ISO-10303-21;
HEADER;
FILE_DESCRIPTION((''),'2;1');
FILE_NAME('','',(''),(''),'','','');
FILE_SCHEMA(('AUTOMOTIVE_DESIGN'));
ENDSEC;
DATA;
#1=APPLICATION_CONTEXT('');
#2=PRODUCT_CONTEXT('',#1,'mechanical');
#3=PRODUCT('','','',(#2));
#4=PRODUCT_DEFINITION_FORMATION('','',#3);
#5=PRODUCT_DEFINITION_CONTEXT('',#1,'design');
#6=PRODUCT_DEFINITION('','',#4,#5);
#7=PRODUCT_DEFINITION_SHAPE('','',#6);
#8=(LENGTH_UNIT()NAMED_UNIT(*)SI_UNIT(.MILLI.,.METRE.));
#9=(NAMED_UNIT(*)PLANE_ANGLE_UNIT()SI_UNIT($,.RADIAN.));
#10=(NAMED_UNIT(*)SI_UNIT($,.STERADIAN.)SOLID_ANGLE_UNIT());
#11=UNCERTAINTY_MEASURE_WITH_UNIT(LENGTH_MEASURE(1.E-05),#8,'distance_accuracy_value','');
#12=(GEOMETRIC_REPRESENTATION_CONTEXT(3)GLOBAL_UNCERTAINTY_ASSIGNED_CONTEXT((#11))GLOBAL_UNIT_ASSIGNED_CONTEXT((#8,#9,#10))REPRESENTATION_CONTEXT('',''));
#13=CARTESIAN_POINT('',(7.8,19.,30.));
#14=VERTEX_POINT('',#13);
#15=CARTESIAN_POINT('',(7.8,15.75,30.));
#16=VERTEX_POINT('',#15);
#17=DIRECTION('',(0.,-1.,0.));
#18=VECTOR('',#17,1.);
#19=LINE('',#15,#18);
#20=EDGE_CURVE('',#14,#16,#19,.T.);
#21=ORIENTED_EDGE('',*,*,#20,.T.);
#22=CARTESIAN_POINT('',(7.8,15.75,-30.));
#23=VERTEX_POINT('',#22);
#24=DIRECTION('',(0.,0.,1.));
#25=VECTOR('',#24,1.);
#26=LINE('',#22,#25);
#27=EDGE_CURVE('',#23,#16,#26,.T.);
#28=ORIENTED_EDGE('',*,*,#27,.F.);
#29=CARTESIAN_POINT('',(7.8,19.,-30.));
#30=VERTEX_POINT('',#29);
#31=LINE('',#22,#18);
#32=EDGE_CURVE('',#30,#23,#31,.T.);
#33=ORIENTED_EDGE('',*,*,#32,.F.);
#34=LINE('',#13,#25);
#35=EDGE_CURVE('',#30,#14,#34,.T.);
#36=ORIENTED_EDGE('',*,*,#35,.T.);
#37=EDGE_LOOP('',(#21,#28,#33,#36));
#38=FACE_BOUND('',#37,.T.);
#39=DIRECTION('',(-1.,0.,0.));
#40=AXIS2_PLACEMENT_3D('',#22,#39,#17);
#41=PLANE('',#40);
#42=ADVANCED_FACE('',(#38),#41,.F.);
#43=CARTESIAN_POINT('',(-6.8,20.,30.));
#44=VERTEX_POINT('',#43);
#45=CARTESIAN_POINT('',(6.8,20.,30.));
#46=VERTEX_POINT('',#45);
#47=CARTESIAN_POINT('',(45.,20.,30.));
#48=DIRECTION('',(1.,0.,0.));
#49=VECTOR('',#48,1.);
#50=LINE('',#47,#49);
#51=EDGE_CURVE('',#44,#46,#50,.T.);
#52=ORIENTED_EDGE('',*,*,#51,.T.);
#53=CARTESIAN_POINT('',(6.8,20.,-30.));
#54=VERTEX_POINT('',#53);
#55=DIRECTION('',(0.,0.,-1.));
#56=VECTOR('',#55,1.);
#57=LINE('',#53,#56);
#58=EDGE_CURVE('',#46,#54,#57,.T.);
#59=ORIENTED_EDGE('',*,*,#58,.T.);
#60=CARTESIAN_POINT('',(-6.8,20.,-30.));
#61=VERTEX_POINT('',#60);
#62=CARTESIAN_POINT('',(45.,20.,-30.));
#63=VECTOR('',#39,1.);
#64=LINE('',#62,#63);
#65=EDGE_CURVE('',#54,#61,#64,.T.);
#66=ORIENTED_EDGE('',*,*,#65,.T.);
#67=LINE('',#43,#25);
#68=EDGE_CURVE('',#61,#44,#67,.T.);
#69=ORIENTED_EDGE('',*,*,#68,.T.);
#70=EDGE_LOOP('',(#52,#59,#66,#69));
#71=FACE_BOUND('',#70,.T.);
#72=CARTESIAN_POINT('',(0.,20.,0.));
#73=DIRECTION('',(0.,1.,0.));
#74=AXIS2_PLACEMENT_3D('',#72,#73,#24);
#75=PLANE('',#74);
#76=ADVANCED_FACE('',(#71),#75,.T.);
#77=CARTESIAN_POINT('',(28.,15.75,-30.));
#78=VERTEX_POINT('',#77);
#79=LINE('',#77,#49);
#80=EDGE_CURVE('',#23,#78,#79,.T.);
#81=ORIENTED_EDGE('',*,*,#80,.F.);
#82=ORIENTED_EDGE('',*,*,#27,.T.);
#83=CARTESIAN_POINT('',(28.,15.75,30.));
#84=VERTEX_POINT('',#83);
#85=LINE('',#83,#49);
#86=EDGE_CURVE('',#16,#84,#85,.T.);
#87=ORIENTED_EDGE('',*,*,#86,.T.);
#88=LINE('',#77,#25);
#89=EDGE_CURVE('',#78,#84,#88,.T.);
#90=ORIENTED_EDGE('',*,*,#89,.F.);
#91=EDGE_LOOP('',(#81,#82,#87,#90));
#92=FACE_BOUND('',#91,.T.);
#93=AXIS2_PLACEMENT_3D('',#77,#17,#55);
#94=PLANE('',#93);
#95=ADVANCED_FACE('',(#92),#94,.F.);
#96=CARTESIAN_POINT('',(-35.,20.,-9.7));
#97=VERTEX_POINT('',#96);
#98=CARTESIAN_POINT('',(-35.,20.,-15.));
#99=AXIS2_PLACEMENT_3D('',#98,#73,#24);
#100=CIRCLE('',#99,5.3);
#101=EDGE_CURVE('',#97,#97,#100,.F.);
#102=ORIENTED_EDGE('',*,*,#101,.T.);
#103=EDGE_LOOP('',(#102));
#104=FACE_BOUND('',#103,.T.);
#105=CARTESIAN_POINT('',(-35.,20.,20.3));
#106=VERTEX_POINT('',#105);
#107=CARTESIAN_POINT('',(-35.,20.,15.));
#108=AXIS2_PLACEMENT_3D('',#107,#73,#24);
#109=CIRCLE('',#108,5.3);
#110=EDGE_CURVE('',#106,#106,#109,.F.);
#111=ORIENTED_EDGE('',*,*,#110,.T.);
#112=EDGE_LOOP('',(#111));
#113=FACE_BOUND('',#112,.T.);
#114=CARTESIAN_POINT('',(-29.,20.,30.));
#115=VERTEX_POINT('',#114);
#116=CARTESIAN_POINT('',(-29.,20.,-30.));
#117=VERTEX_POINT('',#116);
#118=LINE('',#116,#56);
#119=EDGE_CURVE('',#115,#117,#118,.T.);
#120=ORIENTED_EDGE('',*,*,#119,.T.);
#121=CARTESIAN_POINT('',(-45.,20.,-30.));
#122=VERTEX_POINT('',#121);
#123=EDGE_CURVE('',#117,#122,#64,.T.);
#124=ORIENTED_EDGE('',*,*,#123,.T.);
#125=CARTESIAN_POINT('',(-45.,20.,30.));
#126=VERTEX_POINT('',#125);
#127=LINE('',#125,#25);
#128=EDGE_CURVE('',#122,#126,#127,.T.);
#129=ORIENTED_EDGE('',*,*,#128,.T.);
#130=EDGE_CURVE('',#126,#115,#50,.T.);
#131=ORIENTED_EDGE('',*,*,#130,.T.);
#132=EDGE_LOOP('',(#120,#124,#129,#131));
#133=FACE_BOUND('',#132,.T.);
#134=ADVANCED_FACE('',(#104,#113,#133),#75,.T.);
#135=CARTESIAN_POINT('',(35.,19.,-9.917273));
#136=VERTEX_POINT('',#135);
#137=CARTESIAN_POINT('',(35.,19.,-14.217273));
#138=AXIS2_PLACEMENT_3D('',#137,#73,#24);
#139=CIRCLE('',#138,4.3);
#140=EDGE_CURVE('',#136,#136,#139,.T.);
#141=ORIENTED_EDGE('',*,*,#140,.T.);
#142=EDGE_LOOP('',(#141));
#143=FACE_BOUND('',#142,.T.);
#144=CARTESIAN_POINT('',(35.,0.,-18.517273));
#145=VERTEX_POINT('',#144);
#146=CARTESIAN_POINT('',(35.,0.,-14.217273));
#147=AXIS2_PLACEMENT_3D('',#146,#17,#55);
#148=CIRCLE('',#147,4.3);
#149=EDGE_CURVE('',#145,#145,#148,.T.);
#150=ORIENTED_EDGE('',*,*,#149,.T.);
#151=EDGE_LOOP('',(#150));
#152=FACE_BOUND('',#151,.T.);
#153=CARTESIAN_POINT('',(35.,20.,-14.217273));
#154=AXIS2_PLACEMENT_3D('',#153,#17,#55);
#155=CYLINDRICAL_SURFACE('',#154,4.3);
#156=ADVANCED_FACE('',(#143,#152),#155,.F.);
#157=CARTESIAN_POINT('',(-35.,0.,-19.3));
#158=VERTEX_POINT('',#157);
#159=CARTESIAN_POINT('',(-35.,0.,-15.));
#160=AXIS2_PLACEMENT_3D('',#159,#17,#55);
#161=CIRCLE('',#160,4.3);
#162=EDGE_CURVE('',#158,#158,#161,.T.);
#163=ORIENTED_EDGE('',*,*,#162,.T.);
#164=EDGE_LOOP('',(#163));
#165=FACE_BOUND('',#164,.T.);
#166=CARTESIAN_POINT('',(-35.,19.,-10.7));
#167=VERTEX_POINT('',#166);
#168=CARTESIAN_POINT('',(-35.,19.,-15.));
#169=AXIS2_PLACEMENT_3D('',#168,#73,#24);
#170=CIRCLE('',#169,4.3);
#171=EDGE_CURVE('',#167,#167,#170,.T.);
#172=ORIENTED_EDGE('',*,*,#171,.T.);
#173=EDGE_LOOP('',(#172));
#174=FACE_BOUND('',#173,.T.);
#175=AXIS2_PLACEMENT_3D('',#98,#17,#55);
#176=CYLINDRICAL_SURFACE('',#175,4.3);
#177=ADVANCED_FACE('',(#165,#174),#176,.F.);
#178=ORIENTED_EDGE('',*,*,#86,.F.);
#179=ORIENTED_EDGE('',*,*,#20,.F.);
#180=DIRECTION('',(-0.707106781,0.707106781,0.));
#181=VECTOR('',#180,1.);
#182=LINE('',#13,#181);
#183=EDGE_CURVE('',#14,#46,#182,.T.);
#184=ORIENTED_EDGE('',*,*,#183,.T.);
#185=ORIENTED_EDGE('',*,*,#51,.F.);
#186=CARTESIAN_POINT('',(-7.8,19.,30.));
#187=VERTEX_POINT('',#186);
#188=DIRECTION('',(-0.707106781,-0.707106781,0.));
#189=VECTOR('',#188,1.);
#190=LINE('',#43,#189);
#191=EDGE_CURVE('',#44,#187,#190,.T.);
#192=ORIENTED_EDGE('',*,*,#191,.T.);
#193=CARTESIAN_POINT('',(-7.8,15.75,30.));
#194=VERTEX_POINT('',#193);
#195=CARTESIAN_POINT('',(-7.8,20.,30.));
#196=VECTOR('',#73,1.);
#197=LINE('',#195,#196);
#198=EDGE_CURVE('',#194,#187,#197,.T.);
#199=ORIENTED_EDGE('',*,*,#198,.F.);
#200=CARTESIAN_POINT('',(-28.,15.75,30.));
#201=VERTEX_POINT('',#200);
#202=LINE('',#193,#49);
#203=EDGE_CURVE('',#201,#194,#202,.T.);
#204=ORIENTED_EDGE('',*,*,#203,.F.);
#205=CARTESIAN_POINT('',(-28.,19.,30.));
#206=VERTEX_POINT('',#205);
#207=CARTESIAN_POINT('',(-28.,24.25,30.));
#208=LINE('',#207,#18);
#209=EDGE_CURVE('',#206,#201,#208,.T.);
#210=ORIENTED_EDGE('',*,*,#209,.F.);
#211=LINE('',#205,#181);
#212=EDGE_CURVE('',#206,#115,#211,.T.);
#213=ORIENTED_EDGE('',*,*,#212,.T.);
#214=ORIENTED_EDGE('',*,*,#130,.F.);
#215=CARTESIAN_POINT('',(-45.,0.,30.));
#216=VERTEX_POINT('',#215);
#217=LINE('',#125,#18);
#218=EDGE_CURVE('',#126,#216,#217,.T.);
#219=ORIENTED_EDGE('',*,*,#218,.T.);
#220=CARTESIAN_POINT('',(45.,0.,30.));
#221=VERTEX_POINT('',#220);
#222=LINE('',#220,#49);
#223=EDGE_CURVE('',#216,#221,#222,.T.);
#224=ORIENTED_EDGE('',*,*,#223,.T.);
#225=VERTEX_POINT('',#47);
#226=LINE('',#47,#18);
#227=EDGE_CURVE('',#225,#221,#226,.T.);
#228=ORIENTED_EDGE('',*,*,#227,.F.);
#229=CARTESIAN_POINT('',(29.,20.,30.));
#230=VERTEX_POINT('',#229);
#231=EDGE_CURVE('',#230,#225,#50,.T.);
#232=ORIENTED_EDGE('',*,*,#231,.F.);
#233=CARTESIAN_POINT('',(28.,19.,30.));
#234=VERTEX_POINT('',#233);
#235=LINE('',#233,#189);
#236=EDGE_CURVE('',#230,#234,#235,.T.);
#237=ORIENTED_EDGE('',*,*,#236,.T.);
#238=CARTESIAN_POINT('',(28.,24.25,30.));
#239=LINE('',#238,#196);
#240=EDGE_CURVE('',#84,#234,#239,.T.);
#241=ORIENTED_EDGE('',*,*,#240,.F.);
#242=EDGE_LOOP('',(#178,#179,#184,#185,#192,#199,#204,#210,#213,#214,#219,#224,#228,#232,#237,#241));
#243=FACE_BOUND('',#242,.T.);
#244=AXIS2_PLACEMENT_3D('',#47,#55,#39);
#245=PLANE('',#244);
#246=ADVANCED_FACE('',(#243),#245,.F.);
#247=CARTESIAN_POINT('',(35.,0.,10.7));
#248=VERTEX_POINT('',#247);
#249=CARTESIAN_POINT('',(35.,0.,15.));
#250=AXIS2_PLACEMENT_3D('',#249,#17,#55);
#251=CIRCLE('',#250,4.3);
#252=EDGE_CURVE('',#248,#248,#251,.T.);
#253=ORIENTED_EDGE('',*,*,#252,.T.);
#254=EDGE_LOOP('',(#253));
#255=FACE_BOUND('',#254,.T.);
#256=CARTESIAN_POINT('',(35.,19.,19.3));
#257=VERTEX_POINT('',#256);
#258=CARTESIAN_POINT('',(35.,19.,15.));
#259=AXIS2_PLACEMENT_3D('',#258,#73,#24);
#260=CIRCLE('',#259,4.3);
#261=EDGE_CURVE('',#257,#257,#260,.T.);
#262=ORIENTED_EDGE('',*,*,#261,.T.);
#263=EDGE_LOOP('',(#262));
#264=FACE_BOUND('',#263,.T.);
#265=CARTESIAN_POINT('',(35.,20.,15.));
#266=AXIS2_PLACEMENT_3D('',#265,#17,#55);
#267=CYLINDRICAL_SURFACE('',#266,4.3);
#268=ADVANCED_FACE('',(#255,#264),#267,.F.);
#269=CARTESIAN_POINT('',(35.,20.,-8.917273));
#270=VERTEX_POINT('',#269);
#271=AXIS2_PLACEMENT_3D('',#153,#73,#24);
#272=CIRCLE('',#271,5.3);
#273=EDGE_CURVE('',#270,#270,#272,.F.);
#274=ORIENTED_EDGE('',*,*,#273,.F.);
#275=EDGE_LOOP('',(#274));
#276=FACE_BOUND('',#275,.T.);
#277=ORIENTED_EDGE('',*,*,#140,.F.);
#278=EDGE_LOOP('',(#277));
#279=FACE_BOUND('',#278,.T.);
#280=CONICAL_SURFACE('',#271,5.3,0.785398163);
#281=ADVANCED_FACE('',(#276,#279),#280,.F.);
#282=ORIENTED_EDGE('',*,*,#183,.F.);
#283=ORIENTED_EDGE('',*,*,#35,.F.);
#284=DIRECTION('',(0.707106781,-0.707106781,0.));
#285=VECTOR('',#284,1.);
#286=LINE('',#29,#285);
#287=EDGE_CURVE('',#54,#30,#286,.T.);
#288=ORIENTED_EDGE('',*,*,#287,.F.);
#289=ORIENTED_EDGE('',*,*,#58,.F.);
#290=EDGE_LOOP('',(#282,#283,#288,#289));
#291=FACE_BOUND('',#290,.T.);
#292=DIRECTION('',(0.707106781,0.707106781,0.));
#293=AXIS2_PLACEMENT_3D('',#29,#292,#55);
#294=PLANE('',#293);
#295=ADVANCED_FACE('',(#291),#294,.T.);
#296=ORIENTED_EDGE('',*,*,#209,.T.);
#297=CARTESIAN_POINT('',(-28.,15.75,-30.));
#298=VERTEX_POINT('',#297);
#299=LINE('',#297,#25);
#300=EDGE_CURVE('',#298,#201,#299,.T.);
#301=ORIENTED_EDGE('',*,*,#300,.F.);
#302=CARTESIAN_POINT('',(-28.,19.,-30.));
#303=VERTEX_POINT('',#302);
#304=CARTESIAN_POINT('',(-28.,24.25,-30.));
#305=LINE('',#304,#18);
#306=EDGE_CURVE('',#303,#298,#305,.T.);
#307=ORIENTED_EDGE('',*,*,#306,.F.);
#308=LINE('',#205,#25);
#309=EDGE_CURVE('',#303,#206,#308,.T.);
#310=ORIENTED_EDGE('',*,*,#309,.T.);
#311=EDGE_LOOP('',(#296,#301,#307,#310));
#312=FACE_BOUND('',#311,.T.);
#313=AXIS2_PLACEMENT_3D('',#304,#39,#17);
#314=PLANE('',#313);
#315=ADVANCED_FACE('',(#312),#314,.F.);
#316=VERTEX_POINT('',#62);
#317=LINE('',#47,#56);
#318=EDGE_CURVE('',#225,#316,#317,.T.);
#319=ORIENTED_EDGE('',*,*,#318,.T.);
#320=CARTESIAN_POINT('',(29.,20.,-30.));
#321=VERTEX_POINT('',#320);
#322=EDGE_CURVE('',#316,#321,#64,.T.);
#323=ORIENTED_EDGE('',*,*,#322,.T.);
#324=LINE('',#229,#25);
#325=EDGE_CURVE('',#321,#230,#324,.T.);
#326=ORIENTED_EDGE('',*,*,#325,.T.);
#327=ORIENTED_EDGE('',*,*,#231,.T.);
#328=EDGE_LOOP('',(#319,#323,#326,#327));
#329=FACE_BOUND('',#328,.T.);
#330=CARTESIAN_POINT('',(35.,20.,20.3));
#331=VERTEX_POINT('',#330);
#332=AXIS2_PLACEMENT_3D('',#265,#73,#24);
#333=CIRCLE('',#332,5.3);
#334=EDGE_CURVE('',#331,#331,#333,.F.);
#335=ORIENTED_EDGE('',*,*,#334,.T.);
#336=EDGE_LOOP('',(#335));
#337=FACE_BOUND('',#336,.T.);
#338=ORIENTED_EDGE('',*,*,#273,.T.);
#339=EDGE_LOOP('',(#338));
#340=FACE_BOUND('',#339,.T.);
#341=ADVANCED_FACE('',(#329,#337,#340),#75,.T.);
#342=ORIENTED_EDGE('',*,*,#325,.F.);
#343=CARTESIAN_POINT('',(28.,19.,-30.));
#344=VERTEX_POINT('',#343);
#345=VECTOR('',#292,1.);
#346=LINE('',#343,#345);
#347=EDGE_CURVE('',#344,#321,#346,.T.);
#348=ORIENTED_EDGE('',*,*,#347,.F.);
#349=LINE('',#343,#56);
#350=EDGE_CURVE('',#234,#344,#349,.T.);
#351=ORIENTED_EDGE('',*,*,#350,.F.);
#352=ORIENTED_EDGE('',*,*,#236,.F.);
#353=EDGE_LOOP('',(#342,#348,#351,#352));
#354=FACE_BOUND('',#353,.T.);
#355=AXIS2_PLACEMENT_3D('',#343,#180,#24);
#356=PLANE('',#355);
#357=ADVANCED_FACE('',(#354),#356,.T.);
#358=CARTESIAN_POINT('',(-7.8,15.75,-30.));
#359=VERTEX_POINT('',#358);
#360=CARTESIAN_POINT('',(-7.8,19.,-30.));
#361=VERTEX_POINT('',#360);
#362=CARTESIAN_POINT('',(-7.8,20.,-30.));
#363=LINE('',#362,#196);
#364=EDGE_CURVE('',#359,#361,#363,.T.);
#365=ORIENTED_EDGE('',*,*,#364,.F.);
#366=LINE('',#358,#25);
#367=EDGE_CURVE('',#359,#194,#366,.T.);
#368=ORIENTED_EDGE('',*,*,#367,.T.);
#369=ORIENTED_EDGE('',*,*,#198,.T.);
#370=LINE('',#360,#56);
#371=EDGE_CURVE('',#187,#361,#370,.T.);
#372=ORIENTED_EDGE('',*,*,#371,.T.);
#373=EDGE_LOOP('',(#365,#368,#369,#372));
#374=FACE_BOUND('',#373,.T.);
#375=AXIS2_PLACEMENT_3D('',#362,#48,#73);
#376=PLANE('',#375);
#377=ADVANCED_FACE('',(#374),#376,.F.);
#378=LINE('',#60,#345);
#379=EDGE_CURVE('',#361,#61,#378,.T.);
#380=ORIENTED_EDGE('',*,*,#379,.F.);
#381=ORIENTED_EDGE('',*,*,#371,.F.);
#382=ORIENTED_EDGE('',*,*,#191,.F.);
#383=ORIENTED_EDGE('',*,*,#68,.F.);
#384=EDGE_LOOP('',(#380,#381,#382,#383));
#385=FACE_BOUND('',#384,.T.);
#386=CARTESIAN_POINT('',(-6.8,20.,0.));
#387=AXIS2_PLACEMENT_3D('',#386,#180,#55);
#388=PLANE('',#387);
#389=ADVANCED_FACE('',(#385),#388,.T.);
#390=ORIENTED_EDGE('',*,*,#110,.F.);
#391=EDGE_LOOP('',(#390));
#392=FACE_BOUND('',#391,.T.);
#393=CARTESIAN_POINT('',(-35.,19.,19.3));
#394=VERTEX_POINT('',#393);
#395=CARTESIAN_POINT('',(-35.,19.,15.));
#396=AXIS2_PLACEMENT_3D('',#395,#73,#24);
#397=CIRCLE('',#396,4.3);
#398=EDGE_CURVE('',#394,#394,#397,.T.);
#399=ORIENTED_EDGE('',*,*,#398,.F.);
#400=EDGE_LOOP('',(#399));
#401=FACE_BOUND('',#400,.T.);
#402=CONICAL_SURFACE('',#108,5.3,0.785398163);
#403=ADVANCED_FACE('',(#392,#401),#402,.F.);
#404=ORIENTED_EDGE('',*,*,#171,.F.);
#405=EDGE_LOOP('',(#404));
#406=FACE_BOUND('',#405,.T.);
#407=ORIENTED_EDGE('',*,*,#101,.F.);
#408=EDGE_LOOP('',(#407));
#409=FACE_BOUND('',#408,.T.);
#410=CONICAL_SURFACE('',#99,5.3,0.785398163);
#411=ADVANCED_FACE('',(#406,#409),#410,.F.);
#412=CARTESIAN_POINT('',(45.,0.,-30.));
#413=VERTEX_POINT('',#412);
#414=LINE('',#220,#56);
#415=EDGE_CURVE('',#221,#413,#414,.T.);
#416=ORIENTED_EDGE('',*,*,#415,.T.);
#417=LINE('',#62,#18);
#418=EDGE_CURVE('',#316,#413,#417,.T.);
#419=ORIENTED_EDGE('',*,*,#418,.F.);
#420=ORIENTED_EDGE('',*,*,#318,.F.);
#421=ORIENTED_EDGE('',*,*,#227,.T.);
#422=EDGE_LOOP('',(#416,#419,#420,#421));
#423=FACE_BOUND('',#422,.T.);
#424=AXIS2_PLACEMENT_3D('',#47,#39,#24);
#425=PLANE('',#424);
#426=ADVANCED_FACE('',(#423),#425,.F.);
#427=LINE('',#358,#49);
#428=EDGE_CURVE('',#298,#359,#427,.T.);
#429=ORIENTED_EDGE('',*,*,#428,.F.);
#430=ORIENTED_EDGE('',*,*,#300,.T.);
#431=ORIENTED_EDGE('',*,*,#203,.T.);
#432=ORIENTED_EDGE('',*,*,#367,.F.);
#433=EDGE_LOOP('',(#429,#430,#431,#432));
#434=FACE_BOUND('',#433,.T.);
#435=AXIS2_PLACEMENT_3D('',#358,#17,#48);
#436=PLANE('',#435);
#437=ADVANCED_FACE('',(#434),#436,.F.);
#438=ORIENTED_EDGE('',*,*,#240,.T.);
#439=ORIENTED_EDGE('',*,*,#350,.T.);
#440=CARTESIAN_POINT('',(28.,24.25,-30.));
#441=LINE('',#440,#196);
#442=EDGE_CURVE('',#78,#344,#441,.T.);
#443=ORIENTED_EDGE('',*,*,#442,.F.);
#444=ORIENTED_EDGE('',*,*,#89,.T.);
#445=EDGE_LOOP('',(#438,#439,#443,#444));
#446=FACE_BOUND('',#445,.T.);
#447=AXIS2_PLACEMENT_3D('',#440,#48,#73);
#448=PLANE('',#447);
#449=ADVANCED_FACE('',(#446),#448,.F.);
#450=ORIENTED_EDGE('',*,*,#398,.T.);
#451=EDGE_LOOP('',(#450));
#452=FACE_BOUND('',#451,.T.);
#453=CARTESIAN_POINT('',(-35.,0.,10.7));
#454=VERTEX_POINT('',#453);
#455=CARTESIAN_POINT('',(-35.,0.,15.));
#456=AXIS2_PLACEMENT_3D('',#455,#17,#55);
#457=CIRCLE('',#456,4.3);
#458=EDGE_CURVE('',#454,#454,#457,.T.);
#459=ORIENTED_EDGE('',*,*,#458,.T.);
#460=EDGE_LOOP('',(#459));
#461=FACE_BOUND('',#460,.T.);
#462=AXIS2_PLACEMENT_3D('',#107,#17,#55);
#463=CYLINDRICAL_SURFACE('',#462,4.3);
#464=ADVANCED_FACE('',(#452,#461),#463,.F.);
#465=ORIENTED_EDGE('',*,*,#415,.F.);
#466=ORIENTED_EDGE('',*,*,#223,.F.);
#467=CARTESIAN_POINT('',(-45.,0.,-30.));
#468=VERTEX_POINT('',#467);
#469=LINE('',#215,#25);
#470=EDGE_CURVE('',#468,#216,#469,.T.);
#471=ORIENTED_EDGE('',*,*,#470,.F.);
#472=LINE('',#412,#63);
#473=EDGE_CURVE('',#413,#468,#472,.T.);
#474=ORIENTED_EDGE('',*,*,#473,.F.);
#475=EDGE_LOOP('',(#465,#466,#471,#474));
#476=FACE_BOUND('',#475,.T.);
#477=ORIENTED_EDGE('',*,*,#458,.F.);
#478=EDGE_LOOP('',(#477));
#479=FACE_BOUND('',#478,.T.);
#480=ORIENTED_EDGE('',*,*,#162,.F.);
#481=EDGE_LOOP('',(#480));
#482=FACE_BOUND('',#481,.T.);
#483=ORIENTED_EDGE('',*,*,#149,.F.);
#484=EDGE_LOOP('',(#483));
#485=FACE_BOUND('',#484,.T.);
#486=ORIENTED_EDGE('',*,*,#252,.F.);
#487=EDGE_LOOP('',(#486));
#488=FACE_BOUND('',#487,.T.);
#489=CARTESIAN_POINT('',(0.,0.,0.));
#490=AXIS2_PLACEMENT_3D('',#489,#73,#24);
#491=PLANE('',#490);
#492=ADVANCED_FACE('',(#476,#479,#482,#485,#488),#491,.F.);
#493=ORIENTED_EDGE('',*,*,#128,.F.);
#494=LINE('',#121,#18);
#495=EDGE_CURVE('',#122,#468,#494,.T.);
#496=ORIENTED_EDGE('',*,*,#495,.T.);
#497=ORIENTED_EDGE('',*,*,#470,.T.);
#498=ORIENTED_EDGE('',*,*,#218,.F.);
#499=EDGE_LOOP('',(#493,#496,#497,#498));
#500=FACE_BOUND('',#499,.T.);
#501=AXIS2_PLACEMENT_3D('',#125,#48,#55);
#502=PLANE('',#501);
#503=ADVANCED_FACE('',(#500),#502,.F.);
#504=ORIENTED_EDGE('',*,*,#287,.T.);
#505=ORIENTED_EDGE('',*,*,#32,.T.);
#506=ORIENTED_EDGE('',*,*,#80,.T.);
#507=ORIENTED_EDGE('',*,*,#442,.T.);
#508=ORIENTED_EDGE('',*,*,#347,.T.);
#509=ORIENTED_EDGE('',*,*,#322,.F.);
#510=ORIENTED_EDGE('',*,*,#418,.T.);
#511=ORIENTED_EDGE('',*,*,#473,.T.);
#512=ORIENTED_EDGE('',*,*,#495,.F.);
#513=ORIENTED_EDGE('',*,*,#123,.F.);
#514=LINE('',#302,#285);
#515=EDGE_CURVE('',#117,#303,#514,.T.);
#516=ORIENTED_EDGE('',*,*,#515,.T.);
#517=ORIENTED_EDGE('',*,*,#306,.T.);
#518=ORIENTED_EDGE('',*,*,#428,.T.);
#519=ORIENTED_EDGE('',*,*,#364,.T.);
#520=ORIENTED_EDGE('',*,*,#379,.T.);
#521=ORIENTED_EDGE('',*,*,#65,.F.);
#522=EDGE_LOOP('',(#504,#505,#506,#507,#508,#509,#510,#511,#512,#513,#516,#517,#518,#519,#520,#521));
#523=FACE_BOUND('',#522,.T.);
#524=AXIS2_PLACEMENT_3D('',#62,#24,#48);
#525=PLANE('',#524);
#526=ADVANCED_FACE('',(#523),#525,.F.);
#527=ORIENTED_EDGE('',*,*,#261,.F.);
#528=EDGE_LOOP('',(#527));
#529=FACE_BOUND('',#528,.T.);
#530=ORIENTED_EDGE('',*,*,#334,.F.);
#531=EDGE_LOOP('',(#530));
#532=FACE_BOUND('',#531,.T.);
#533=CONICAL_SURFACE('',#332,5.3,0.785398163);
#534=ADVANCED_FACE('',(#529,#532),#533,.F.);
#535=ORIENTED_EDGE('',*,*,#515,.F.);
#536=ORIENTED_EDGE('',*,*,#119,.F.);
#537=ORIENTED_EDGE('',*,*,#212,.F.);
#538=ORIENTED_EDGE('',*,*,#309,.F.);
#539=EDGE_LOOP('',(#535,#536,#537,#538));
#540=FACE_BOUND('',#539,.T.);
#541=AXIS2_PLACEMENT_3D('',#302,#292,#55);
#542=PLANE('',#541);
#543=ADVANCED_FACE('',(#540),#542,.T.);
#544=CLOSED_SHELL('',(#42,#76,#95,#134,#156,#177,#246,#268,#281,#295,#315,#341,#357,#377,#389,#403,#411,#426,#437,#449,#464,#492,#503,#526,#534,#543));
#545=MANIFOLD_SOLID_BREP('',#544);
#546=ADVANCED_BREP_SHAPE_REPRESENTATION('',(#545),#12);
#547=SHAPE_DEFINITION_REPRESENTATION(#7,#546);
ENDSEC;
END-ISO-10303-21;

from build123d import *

# Parameters (mm, degrees)
SKETCH1_W           = 90
SKETCH1_H           = 60
BOSS_EXTRUDE1_DEPTH = 20
CUT_EXTRUDE1_DEPTH  = 61
SKETCH3_R           = 4.3
CUT_EXTRUDE2_DEPTH  = 21
CHAMFER1_SIZE       = 1
CHAMFER2_SIZE       = 1


with BuildPart() as part:
    # Sketch1 → Boss-Extrude1 (new body)
    with BuildSketch(Plane(origin=(0, 0, 0), x_dir=(1, 0, 0), z_dir=(0, 1, 0))):
        Rectangle(SKETCH1_W, SKETCH1_H)
    extrude(amount=BOSS_EXTRUDE1_DEPTH)

    # Sketch2 → Cut-Extrude1 (cut, through all)
    with BuildSketch(Plane.XY.offset(30)):
        Polygon((28, 24.25), (-28, 24.25), (-28, 15.75), (-7.8, 15.75), (-7.8, 20), (7.8, 20), (7.8, 15.75), (28, 15.75), align=None)
    extrude(amount=-CUT_EXTRUDE1_DEPTH, mode=Mode.SUBTRACT)

    # Sketch3 → Cut-Extrude2 (cut, through all)
    with BuildSketch(Plane.XZ):
        with Locations((-35, 15)):
            Circle(SKETCH3_R)
        with Locations((-35, -15)):
            Circle(SKETCH3_R)
        with Locations((35, -14.217273236)):
            Circle(SKETCH3_R)
        with Locations((35, 15)):
            Circle(SKETCH3_R)
    extrude(amount=-CUT_EXTRUDE2_DEPTH, mode=Mode.SUBTRACT)

    # Chamfer1
    chamfer1_edges = [part.edges().sort_by_distance(p)[0] for p in [
        (28, 20, 0),
        (-28, 20, 0),
        (7.8, 20, 0),
        (-7.8, 20, 0),
    ]]
    chamfer(chamfer1_edges, length=CHAMFER1_SIZE)

    # Chamfer2
    chamfer2_edges = [part.edges().sort_by_distance(p)[0] for p in [
        (-39.3, 20, 15),
        (-39.3, 20, -15),
        (30.7, 20, -14.217273236),
        (30.7, 20, 15),
    ]]
    chamfer(chamfer2_edges, length=CHAMFER2_SIZE)


solid = part.part
